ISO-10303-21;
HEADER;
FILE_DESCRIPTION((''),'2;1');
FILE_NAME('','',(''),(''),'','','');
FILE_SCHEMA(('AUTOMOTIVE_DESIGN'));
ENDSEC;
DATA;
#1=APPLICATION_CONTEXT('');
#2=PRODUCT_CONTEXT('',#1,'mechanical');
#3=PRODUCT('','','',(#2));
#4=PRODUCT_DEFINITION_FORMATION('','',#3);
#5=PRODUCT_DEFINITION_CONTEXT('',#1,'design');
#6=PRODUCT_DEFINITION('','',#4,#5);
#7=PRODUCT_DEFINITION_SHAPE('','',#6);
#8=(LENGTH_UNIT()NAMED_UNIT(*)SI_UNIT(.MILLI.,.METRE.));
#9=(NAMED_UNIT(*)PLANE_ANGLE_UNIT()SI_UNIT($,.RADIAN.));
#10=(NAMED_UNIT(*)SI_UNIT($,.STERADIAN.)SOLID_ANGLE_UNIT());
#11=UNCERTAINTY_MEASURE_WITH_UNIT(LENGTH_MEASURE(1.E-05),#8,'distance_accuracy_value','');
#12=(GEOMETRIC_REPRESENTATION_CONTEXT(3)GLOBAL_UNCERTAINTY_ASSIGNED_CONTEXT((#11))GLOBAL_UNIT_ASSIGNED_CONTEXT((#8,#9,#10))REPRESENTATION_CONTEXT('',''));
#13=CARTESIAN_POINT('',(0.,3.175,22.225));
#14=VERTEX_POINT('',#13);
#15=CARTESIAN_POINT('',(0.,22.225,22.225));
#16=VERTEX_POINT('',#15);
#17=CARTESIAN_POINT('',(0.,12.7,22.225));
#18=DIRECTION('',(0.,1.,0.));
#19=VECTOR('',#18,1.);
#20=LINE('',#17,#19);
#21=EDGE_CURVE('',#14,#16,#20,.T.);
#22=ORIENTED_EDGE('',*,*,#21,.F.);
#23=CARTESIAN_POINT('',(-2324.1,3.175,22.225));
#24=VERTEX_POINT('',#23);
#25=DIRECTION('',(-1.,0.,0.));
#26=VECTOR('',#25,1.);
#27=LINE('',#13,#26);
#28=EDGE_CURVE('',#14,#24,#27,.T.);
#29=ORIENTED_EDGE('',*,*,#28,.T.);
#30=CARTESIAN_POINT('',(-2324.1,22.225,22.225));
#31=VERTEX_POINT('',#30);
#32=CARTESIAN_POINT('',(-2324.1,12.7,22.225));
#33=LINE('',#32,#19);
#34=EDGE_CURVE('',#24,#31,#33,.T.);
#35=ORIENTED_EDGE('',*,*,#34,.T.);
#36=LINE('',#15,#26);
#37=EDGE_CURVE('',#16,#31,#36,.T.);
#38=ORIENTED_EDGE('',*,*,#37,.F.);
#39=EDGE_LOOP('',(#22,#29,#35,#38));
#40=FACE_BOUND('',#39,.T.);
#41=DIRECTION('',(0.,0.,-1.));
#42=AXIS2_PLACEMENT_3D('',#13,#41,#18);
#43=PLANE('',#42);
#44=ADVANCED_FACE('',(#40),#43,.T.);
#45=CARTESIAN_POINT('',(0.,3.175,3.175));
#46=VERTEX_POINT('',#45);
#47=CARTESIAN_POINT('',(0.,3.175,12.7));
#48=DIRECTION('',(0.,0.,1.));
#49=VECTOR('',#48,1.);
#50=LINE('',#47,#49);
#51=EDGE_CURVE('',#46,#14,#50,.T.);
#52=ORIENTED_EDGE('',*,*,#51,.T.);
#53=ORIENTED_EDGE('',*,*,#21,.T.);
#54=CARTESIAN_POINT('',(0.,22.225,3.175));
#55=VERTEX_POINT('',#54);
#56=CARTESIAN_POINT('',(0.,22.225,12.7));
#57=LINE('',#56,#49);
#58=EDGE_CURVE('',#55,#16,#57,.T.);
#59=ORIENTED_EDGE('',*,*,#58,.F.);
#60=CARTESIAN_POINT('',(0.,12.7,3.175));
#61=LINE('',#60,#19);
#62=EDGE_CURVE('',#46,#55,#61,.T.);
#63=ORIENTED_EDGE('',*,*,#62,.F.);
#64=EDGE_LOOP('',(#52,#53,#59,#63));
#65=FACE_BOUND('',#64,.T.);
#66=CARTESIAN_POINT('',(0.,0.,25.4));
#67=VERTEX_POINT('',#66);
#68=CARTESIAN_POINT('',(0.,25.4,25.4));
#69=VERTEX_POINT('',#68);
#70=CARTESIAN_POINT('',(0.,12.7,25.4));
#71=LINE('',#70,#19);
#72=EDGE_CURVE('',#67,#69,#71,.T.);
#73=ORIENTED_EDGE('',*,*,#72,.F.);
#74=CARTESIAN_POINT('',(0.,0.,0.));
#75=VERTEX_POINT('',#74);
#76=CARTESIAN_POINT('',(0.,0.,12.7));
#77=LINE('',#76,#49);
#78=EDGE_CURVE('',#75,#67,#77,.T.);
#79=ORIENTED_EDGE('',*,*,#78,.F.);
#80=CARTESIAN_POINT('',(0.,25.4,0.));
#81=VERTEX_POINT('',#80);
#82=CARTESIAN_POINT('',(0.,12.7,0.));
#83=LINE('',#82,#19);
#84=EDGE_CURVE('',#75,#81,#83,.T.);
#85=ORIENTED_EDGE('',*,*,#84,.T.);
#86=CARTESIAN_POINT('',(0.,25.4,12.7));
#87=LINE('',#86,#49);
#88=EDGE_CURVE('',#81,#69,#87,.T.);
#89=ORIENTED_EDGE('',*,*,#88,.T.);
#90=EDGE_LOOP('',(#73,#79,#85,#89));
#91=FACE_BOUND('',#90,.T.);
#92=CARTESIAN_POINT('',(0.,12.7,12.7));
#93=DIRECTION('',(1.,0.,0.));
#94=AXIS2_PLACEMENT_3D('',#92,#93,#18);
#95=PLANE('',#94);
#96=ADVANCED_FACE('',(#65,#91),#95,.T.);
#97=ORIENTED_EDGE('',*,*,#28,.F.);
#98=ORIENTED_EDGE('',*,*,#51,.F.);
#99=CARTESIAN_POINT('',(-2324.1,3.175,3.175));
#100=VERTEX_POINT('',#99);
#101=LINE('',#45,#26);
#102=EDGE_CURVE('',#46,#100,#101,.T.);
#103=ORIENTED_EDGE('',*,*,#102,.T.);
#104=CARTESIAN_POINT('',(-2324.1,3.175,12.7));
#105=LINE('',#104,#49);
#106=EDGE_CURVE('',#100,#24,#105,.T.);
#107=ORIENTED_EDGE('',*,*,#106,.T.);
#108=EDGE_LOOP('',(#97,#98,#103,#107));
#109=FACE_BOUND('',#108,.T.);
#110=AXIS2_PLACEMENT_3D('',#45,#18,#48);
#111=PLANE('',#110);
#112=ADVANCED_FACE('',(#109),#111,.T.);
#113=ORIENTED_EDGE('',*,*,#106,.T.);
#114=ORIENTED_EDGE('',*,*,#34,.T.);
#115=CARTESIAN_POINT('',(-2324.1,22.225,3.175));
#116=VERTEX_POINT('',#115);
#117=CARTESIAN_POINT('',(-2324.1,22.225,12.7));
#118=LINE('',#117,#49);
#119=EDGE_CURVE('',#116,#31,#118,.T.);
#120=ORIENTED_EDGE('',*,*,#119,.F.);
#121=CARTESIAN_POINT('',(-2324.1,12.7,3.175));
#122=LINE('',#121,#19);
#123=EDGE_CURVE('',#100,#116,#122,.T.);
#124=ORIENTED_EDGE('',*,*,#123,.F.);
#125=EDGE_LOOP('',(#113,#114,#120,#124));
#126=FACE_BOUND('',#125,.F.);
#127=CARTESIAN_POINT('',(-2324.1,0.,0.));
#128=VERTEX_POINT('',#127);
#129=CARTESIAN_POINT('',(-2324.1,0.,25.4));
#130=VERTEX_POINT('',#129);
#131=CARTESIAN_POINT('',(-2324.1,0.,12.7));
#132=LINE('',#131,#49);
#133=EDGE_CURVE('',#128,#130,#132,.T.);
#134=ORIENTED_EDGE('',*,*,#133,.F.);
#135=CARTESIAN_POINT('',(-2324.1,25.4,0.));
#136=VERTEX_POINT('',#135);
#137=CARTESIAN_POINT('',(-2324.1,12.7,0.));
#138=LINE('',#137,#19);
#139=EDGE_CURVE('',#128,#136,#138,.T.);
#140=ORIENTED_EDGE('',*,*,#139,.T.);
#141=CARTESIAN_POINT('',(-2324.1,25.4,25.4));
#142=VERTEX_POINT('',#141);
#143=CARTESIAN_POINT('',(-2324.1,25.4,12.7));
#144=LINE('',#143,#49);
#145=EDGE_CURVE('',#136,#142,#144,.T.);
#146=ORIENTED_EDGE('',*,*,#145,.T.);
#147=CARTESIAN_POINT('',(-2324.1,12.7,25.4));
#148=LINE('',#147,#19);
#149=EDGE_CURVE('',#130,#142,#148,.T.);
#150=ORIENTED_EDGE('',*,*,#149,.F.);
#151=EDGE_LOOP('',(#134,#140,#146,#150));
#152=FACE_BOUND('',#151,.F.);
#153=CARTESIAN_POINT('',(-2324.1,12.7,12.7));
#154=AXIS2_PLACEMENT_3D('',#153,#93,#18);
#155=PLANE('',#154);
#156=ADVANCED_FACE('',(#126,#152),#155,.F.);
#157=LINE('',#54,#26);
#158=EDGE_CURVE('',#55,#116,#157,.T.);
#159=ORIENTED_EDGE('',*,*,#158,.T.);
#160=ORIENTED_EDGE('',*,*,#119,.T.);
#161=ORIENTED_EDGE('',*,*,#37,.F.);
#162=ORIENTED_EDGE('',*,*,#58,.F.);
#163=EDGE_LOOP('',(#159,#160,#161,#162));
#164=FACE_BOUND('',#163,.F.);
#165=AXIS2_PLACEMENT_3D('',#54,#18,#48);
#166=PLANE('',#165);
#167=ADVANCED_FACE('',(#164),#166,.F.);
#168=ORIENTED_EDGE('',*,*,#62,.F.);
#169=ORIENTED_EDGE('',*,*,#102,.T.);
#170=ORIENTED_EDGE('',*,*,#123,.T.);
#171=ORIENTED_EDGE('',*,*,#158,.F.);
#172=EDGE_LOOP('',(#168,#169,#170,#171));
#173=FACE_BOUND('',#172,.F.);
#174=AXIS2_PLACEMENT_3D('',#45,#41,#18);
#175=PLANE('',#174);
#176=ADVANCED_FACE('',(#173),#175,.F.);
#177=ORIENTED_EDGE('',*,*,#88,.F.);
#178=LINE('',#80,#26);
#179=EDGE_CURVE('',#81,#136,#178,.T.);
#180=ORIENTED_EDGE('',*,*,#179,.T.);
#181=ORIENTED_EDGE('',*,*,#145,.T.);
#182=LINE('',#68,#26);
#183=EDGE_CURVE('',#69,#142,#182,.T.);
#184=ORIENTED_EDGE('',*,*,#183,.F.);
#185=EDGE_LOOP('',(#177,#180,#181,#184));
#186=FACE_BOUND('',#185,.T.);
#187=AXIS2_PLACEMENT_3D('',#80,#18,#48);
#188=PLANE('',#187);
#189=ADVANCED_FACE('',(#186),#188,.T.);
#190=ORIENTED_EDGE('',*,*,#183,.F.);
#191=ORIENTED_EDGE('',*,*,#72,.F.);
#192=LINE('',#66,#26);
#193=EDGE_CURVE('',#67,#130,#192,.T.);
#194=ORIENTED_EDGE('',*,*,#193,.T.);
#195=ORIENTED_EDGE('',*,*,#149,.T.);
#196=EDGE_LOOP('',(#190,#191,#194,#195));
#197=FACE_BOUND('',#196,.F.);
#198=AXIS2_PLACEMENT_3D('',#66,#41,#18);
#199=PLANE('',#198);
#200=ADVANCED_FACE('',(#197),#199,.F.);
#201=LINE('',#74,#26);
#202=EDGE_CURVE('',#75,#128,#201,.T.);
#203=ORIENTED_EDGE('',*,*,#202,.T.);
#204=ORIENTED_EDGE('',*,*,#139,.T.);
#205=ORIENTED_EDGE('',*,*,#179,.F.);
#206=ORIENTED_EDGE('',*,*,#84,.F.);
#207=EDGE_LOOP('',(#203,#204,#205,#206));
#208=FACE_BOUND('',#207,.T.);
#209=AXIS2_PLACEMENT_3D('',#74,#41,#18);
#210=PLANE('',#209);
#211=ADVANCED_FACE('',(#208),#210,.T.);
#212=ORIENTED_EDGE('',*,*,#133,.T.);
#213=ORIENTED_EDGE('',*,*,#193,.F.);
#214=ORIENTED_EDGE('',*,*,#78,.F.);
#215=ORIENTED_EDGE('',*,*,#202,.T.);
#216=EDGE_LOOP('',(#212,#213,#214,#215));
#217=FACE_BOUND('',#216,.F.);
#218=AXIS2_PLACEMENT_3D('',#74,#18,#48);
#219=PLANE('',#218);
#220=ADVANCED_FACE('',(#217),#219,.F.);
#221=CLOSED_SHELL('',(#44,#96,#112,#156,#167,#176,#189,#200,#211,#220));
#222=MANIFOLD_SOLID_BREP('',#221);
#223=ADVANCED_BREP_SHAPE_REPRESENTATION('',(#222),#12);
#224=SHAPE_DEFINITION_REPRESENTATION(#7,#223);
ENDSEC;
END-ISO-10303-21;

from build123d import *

# Parameters (mm, degrees)
F0_W     = 25.4
F0_H     = 25.4
F0_W_2   = 19.05
F0_H_2   = 19.05
F1_DEPTH = 2324.1


with BuildPart() as f1:
    # F0 (on Right) → F1 (new body)
    with BuildSketch(Plane.YZ):
        with Locations((12.7, 12.7)):
            Rectangle(F0_W, F0_H)
        with Locations((12.7, 12.7)):
            Rectangle(F0_W_2, F0_H_2, mode=Mode.SUBTRACT)
    extrude(amount=-F1_DEPTH)


solid = f1.part
